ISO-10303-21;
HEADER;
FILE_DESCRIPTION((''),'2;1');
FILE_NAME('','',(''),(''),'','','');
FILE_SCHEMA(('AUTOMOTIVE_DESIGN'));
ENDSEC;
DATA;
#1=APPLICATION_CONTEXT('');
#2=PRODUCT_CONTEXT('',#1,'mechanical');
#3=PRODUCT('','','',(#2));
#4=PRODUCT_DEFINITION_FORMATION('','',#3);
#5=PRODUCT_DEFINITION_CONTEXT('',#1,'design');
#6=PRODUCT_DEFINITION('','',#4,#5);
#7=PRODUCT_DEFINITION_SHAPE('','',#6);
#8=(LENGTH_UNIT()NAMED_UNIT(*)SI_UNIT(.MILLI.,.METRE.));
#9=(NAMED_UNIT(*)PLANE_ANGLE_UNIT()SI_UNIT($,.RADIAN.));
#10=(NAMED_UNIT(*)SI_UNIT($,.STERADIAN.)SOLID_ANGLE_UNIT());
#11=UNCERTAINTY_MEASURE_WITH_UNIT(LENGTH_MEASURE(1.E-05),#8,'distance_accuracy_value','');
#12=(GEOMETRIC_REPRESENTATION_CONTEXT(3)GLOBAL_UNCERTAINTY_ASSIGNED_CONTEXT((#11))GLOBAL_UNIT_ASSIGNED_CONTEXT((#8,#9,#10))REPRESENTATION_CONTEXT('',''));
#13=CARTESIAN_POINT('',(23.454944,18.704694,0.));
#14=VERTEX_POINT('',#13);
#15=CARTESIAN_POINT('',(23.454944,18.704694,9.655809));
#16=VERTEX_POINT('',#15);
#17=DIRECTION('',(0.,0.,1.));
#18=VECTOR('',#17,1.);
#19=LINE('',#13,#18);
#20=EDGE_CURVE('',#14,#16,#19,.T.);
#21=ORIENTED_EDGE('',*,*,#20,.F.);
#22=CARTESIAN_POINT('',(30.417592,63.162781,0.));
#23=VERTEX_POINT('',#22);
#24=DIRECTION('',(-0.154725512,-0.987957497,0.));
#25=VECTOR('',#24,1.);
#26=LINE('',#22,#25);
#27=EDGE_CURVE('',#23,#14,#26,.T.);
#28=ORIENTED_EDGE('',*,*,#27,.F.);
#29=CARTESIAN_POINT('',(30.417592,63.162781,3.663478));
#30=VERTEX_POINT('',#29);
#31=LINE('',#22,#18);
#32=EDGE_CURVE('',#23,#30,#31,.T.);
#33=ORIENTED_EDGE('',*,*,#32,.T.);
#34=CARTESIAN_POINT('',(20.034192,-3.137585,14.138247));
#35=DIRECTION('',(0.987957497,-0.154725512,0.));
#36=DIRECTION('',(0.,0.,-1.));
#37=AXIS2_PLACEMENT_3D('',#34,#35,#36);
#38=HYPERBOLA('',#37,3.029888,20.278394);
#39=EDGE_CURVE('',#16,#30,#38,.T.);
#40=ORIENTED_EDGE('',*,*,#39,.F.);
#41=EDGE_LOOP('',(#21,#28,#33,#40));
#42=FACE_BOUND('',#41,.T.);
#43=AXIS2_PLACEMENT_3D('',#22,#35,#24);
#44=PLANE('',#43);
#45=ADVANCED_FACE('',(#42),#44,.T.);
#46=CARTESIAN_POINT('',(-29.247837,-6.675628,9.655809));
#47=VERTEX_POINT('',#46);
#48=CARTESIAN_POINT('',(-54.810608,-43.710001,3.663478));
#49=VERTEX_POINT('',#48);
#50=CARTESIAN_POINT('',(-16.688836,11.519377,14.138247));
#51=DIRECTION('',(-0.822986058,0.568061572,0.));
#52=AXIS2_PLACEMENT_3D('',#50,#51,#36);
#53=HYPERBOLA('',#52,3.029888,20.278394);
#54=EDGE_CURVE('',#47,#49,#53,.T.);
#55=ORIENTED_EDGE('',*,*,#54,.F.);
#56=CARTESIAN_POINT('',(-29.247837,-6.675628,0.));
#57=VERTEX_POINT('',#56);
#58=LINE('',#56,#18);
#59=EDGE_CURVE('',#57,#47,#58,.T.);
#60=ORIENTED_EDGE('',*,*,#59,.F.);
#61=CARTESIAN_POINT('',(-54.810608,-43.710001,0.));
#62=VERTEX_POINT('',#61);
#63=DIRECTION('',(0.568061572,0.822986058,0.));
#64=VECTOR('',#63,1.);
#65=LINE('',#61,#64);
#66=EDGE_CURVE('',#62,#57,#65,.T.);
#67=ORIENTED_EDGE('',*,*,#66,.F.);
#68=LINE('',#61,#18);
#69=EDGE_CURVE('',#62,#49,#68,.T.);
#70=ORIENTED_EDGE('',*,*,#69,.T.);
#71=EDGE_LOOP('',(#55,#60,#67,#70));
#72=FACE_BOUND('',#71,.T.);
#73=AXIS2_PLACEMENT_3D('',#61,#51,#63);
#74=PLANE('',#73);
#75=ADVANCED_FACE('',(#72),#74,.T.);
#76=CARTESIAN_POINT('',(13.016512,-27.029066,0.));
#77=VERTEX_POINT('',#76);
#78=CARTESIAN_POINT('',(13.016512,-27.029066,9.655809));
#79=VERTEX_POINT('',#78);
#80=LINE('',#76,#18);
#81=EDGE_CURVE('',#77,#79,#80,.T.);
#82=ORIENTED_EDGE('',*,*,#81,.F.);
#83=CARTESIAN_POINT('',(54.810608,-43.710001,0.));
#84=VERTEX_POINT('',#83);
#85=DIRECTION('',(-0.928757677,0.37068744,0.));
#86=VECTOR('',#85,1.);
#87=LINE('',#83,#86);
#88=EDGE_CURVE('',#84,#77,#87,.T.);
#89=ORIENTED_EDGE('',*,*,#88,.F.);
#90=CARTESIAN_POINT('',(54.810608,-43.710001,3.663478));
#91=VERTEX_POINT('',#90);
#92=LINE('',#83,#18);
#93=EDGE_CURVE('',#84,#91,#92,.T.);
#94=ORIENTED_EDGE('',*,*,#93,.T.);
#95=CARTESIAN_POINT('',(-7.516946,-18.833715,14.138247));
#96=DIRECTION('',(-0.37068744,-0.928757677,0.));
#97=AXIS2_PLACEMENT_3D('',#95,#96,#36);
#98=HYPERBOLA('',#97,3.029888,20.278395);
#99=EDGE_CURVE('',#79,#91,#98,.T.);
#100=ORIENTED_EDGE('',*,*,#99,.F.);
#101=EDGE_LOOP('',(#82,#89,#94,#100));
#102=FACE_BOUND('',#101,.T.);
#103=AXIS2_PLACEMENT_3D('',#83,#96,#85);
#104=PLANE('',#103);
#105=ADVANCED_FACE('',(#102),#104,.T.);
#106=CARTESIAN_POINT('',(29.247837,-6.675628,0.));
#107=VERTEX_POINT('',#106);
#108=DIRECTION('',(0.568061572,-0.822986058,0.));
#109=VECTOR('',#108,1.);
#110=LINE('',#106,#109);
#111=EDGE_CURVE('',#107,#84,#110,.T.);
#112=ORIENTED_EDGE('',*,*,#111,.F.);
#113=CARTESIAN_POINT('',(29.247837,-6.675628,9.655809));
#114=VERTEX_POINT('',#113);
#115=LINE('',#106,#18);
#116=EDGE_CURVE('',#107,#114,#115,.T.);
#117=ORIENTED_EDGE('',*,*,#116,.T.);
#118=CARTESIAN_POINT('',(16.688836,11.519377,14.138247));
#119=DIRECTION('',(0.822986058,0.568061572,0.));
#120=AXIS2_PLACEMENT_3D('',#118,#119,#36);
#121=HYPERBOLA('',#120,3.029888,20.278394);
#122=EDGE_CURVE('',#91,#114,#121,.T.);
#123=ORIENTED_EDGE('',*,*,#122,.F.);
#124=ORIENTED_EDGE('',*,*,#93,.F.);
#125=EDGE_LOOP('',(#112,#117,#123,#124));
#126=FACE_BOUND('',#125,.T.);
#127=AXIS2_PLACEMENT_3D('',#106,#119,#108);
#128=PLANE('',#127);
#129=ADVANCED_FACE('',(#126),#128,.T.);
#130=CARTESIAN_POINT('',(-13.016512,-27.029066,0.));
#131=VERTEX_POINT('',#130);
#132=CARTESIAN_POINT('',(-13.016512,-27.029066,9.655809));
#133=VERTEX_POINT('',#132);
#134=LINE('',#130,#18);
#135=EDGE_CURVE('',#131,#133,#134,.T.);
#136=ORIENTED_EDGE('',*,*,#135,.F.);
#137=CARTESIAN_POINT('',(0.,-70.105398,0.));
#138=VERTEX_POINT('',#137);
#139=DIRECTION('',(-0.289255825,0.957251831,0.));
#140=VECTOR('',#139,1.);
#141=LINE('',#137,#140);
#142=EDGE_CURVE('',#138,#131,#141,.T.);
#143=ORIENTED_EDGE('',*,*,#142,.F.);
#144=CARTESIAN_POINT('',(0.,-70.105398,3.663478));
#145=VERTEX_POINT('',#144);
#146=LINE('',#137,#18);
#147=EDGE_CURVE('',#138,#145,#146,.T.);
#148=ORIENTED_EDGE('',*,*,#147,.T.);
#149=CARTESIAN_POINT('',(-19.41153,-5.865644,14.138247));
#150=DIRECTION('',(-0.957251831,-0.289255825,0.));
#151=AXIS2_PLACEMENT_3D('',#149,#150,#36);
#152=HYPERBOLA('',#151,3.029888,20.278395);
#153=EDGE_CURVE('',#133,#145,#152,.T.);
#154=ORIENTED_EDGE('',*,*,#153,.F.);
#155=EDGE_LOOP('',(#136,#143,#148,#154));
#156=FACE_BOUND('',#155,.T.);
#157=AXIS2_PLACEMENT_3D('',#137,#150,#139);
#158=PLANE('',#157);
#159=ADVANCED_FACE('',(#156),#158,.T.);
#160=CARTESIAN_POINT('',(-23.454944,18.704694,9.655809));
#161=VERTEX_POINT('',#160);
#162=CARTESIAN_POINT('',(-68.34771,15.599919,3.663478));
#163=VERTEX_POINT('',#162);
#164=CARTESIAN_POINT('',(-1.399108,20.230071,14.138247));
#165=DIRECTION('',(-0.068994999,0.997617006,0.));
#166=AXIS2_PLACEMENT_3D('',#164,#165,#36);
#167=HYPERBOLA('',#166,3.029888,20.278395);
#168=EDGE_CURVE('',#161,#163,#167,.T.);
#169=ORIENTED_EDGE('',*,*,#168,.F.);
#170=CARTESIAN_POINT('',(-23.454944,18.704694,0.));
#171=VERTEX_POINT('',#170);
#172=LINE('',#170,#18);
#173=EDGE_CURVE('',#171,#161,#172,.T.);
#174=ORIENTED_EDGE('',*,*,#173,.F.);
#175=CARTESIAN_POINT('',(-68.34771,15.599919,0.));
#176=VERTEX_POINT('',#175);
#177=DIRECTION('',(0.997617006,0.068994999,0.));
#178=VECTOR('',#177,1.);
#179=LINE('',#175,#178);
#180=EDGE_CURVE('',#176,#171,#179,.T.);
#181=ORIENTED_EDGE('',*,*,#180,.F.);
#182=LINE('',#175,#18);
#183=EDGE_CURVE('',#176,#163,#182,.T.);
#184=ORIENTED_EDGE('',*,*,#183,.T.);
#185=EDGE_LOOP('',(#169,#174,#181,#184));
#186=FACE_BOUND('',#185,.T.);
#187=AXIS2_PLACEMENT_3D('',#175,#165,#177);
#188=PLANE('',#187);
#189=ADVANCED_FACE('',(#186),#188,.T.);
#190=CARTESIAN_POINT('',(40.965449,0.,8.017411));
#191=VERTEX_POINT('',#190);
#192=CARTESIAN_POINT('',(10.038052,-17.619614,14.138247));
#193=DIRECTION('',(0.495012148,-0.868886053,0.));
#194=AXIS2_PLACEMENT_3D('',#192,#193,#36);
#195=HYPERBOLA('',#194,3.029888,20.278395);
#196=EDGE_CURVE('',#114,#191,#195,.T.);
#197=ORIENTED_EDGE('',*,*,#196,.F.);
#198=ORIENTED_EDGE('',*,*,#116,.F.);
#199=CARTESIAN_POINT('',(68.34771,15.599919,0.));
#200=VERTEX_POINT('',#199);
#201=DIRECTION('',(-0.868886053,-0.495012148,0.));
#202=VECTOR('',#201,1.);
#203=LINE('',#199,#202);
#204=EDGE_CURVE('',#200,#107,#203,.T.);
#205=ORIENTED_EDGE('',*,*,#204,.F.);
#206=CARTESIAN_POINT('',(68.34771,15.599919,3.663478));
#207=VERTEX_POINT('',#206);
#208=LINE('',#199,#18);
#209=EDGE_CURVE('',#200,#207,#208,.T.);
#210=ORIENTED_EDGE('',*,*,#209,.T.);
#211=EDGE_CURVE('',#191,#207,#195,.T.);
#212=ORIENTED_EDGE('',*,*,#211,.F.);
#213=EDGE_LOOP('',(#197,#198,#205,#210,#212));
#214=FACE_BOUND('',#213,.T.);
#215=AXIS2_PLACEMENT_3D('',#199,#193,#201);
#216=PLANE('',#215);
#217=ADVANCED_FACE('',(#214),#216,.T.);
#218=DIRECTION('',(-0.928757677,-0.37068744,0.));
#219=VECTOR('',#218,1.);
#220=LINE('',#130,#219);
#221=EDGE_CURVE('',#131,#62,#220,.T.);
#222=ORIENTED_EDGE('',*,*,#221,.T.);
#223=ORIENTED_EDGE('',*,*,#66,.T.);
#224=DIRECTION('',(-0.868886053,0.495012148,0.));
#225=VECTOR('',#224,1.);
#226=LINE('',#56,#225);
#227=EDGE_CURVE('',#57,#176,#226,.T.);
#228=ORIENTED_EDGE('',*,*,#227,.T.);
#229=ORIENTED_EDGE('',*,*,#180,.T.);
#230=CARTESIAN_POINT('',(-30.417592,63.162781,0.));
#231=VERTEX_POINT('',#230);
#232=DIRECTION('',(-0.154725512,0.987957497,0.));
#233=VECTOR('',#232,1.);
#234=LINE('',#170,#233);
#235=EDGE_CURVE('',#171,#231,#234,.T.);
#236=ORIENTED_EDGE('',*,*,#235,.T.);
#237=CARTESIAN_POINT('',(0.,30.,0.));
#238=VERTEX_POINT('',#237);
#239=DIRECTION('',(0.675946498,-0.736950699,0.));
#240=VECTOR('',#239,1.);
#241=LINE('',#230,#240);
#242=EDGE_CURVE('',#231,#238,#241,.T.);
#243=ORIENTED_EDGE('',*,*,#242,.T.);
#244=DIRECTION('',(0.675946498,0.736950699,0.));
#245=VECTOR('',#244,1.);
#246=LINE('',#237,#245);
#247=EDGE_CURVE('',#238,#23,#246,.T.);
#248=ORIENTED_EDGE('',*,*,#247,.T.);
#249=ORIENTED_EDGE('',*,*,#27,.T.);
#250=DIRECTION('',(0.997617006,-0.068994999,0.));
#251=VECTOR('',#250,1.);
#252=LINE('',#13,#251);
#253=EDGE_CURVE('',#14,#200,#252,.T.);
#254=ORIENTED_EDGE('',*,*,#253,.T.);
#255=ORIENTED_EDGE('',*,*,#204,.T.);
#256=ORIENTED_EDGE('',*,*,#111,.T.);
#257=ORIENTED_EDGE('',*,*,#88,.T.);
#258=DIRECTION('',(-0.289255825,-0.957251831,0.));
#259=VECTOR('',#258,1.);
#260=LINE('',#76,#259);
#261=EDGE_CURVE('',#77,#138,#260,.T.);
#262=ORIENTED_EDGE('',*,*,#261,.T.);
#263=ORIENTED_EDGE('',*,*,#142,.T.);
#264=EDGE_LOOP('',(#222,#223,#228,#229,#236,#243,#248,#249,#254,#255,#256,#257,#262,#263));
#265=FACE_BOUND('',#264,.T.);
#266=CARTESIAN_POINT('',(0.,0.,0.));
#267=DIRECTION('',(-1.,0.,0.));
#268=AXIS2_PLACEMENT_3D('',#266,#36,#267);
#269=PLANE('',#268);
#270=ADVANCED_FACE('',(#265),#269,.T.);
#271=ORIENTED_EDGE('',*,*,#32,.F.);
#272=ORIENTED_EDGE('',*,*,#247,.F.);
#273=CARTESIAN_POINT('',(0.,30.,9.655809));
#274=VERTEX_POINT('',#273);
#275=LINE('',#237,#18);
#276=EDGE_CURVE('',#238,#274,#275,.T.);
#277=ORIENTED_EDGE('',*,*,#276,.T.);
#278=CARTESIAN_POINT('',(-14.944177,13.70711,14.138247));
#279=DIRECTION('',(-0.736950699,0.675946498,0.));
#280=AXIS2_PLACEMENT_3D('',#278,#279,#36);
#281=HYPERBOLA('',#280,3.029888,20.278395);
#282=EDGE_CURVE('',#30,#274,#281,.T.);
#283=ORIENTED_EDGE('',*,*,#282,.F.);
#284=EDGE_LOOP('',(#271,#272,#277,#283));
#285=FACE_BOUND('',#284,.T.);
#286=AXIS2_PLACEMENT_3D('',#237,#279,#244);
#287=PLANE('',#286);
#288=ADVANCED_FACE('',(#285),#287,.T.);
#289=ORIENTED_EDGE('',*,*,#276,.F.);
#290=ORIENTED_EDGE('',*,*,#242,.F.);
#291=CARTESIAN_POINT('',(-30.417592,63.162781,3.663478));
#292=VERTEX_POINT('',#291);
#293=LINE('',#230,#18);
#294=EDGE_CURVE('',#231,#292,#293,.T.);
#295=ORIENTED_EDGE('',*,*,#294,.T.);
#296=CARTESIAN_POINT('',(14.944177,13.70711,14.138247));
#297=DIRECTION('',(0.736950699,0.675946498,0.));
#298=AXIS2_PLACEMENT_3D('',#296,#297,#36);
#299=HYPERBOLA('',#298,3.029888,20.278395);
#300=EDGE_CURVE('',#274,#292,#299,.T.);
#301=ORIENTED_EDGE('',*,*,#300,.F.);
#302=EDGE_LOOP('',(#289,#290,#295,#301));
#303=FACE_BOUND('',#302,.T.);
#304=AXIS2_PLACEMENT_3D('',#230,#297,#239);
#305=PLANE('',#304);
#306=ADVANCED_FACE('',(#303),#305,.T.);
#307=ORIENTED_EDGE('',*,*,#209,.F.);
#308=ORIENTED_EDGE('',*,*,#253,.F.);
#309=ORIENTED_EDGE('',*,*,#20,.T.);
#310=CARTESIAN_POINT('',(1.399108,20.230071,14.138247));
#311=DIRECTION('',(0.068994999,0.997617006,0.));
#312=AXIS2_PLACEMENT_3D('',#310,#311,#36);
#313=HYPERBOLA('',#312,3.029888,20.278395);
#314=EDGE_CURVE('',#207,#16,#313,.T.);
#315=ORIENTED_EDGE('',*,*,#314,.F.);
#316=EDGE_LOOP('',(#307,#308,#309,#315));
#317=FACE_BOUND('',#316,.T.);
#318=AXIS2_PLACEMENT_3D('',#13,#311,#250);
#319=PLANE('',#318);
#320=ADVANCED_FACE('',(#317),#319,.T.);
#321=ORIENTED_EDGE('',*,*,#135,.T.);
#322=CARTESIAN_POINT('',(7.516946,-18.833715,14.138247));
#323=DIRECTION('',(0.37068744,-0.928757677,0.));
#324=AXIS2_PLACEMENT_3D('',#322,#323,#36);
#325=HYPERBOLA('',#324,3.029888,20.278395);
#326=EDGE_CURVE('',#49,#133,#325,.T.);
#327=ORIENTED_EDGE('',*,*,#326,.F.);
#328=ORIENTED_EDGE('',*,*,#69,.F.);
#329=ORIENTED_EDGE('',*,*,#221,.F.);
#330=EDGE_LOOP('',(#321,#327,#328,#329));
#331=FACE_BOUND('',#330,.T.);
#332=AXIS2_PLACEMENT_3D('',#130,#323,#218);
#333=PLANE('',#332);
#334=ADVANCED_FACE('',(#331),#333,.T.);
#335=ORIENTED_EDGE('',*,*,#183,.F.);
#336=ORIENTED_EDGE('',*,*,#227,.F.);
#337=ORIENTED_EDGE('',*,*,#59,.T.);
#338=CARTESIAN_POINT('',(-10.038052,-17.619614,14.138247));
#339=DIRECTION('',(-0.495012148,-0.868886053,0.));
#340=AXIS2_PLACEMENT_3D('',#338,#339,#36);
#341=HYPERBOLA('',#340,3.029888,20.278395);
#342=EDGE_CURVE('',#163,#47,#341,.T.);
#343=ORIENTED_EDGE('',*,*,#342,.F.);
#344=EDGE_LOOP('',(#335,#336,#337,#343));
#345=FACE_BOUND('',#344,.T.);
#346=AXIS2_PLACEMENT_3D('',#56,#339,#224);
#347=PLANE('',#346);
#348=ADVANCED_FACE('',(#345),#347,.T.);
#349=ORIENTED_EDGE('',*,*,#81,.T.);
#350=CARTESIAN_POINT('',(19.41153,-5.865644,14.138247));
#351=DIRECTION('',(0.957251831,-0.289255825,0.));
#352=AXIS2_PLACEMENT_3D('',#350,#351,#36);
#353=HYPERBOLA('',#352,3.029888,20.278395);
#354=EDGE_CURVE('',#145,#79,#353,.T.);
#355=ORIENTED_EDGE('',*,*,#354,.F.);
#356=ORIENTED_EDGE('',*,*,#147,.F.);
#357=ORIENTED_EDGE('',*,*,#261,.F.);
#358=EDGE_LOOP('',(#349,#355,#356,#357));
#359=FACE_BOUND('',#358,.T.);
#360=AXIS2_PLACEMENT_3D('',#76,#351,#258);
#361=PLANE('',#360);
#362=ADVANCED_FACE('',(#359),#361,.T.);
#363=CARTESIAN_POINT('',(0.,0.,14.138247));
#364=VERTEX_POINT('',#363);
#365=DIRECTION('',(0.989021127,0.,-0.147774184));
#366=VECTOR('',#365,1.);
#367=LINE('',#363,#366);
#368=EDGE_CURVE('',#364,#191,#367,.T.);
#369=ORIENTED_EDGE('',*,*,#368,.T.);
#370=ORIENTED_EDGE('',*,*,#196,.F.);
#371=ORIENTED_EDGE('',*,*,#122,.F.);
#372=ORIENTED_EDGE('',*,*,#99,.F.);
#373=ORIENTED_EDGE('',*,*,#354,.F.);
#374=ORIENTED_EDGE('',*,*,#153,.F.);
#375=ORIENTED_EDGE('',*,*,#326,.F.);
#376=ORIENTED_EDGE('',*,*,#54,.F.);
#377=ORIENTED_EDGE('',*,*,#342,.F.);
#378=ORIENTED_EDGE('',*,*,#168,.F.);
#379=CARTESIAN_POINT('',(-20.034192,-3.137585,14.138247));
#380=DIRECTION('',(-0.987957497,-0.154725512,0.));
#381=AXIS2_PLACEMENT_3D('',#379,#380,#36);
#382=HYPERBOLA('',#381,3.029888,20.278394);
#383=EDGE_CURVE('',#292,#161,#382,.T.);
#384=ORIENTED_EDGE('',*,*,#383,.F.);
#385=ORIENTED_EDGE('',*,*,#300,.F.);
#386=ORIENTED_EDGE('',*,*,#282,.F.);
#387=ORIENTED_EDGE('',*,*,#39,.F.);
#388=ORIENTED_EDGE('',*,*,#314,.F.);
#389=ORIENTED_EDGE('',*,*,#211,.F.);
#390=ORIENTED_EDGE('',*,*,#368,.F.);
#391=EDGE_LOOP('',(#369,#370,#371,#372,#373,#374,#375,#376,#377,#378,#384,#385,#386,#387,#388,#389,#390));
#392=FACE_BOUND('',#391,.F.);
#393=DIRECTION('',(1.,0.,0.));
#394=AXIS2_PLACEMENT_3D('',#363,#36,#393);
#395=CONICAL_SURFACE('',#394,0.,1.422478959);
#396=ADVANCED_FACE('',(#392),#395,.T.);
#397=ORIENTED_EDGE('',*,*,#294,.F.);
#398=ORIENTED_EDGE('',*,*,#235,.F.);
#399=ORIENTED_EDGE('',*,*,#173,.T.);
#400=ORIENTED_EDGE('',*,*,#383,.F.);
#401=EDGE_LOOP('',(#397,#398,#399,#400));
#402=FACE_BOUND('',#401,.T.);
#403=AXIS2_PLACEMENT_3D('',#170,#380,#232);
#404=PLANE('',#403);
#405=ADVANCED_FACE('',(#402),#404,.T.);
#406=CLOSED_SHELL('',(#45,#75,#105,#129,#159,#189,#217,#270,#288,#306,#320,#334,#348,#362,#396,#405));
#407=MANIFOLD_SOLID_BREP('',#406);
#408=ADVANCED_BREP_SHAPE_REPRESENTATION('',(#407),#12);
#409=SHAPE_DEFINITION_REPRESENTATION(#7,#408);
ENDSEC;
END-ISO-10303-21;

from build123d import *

# Parameters (mm, degrees)
PAD_DEPTH = 15


with BuildPart() as part:
    # Sketch → Pad (new body)
    with BuildSketch(Plane.XY):
        Polygon((0, 30), (30.417592, 63.162781), (23.454944, 18.704694), (68.34771, 15.599919), (29.247837, -6.675628), (54.810608, -43.710001), (13.016512, -27.029066), (0, -70.105398), (-13.016512, -27.029066), (-54.810608, -43.710001), (-29.247837, -6.675628), (-68.34771, 15.599919), (-23.454944, 18.704694), (-30.417592, 63.162781), align=None)
    extrude(amount=PAD_DEPTH)

    # Sketch001 → Groove (revolve, cut)
    with BuildSketch(Plane.XZ):
        Polygon((0, 90.473419), (0, 14.138247), (80.88575, 2.052736), (80.88575, 90.473419), align=None)
    revolve(axis=Axis((0, 0, 0), (0, 0, 1)), mode=Mode.SUBTRACT)


solid = part.part
